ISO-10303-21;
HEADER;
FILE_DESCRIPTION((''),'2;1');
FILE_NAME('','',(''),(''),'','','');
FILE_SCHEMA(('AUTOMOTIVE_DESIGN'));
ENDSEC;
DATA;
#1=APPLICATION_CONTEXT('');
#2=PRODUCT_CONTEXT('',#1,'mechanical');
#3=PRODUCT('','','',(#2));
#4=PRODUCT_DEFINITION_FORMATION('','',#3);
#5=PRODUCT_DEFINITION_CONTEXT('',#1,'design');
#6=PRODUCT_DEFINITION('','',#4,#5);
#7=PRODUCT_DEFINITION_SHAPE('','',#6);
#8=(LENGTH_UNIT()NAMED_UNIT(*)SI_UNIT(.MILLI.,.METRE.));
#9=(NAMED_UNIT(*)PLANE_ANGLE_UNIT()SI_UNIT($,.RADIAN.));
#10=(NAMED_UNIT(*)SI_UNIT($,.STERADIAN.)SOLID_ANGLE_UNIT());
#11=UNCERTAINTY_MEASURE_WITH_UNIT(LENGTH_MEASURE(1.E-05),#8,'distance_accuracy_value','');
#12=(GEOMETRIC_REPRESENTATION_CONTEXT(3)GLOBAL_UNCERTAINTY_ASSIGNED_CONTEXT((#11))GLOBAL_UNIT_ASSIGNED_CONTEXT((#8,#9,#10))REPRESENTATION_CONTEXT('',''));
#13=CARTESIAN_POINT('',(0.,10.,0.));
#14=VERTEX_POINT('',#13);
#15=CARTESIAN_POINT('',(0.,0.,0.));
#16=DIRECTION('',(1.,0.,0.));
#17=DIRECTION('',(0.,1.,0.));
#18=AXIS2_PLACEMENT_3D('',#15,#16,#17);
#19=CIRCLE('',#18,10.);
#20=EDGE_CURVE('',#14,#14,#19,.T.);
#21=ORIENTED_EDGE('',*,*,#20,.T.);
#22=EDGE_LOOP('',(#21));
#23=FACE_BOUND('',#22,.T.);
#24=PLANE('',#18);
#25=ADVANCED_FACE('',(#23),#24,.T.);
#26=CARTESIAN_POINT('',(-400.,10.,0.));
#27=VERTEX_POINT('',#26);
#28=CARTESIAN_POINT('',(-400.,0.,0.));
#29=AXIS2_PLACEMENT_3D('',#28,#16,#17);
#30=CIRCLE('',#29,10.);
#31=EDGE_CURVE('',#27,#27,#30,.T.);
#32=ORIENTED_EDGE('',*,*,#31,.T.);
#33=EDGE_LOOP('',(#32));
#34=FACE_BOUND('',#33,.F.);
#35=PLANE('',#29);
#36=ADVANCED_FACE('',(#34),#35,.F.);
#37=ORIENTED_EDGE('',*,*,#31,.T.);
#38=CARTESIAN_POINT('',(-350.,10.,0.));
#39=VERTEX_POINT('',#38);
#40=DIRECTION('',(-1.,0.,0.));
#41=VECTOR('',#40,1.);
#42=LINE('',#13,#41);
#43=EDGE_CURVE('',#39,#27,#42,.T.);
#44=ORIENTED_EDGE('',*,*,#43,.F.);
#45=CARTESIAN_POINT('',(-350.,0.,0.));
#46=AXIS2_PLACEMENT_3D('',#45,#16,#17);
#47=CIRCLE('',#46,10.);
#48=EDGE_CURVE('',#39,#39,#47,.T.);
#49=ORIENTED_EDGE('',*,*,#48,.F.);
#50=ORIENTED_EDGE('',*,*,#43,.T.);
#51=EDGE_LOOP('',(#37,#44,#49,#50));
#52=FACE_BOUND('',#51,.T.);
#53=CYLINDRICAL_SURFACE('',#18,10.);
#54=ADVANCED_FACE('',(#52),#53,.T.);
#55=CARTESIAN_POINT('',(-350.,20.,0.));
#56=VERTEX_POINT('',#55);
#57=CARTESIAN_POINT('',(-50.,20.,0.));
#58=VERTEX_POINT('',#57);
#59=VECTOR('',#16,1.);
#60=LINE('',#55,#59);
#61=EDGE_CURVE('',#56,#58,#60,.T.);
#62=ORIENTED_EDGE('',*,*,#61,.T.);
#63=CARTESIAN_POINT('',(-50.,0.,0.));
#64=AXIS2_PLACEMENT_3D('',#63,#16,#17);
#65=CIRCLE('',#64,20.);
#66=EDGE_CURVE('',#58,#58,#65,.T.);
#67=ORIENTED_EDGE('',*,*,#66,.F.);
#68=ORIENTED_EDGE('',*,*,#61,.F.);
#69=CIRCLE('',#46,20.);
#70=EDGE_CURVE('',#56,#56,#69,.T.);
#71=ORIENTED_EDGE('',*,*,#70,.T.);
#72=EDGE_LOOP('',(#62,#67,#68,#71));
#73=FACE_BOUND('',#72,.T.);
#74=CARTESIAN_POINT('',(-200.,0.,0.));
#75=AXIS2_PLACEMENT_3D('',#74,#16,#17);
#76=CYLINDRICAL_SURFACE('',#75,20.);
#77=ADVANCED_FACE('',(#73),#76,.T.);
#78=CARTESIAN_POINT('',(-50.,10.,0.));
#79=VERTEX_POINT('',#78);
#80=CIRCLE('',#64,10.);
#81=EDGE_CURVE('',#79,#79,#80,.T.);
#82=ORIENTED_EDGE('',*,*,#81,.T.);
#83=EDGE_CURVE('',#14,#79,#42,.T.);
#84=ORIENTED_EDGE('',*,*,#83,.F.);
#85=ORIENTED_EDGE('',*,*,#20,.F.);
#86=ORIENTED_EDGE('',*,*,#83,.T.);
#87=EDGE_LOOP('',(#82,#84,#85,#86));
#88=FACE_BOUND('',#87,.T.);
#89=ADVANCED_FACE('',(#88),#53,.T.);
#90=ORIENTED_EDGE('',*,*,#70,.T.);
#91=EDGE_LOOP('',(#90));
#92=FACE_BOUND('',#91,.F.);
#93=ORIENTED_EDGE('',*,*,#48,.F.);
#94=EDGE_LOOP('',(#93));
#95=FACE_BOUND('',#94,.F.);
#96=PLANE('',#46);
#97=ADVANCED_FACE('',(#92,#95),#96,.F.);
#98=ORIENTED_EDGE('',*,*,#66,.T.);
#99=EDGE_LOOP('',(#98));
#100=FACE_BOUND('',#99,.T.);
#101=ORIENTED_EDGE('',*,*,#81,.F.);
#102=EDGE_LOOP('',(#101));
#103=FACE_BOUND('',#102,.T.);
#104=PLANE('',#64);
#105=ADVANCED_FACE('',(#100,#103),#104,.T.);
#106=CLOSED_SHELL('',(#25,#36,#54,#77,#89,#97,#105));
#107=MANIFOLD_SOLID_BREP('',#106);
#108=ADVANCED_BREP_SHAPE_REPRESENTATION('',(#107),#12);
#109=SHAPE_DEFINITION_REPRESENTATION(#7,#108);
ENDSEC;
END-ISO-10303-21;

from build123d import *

# Parameters (mm, degrees)
F0_R     = 10
F1_DEPTH = 400
F3_R     = 20
F4_DEPTH = 150


with BuildPart() as f1:
    # F0 (on Right) → F1 (new body)
    with BuildSketch(Plane.YZ):
        Circle(F0_R)
    extrude(amount=-F1_DEPTH)

    # F3 (on offset) → F4 (join, symmetric)
    with BuildSketch(Plane.YZ.offset(-200)):
        Circle(F3_R)
    extrude(amount=F4_DEPTH, both=True)


solid = f1.part
